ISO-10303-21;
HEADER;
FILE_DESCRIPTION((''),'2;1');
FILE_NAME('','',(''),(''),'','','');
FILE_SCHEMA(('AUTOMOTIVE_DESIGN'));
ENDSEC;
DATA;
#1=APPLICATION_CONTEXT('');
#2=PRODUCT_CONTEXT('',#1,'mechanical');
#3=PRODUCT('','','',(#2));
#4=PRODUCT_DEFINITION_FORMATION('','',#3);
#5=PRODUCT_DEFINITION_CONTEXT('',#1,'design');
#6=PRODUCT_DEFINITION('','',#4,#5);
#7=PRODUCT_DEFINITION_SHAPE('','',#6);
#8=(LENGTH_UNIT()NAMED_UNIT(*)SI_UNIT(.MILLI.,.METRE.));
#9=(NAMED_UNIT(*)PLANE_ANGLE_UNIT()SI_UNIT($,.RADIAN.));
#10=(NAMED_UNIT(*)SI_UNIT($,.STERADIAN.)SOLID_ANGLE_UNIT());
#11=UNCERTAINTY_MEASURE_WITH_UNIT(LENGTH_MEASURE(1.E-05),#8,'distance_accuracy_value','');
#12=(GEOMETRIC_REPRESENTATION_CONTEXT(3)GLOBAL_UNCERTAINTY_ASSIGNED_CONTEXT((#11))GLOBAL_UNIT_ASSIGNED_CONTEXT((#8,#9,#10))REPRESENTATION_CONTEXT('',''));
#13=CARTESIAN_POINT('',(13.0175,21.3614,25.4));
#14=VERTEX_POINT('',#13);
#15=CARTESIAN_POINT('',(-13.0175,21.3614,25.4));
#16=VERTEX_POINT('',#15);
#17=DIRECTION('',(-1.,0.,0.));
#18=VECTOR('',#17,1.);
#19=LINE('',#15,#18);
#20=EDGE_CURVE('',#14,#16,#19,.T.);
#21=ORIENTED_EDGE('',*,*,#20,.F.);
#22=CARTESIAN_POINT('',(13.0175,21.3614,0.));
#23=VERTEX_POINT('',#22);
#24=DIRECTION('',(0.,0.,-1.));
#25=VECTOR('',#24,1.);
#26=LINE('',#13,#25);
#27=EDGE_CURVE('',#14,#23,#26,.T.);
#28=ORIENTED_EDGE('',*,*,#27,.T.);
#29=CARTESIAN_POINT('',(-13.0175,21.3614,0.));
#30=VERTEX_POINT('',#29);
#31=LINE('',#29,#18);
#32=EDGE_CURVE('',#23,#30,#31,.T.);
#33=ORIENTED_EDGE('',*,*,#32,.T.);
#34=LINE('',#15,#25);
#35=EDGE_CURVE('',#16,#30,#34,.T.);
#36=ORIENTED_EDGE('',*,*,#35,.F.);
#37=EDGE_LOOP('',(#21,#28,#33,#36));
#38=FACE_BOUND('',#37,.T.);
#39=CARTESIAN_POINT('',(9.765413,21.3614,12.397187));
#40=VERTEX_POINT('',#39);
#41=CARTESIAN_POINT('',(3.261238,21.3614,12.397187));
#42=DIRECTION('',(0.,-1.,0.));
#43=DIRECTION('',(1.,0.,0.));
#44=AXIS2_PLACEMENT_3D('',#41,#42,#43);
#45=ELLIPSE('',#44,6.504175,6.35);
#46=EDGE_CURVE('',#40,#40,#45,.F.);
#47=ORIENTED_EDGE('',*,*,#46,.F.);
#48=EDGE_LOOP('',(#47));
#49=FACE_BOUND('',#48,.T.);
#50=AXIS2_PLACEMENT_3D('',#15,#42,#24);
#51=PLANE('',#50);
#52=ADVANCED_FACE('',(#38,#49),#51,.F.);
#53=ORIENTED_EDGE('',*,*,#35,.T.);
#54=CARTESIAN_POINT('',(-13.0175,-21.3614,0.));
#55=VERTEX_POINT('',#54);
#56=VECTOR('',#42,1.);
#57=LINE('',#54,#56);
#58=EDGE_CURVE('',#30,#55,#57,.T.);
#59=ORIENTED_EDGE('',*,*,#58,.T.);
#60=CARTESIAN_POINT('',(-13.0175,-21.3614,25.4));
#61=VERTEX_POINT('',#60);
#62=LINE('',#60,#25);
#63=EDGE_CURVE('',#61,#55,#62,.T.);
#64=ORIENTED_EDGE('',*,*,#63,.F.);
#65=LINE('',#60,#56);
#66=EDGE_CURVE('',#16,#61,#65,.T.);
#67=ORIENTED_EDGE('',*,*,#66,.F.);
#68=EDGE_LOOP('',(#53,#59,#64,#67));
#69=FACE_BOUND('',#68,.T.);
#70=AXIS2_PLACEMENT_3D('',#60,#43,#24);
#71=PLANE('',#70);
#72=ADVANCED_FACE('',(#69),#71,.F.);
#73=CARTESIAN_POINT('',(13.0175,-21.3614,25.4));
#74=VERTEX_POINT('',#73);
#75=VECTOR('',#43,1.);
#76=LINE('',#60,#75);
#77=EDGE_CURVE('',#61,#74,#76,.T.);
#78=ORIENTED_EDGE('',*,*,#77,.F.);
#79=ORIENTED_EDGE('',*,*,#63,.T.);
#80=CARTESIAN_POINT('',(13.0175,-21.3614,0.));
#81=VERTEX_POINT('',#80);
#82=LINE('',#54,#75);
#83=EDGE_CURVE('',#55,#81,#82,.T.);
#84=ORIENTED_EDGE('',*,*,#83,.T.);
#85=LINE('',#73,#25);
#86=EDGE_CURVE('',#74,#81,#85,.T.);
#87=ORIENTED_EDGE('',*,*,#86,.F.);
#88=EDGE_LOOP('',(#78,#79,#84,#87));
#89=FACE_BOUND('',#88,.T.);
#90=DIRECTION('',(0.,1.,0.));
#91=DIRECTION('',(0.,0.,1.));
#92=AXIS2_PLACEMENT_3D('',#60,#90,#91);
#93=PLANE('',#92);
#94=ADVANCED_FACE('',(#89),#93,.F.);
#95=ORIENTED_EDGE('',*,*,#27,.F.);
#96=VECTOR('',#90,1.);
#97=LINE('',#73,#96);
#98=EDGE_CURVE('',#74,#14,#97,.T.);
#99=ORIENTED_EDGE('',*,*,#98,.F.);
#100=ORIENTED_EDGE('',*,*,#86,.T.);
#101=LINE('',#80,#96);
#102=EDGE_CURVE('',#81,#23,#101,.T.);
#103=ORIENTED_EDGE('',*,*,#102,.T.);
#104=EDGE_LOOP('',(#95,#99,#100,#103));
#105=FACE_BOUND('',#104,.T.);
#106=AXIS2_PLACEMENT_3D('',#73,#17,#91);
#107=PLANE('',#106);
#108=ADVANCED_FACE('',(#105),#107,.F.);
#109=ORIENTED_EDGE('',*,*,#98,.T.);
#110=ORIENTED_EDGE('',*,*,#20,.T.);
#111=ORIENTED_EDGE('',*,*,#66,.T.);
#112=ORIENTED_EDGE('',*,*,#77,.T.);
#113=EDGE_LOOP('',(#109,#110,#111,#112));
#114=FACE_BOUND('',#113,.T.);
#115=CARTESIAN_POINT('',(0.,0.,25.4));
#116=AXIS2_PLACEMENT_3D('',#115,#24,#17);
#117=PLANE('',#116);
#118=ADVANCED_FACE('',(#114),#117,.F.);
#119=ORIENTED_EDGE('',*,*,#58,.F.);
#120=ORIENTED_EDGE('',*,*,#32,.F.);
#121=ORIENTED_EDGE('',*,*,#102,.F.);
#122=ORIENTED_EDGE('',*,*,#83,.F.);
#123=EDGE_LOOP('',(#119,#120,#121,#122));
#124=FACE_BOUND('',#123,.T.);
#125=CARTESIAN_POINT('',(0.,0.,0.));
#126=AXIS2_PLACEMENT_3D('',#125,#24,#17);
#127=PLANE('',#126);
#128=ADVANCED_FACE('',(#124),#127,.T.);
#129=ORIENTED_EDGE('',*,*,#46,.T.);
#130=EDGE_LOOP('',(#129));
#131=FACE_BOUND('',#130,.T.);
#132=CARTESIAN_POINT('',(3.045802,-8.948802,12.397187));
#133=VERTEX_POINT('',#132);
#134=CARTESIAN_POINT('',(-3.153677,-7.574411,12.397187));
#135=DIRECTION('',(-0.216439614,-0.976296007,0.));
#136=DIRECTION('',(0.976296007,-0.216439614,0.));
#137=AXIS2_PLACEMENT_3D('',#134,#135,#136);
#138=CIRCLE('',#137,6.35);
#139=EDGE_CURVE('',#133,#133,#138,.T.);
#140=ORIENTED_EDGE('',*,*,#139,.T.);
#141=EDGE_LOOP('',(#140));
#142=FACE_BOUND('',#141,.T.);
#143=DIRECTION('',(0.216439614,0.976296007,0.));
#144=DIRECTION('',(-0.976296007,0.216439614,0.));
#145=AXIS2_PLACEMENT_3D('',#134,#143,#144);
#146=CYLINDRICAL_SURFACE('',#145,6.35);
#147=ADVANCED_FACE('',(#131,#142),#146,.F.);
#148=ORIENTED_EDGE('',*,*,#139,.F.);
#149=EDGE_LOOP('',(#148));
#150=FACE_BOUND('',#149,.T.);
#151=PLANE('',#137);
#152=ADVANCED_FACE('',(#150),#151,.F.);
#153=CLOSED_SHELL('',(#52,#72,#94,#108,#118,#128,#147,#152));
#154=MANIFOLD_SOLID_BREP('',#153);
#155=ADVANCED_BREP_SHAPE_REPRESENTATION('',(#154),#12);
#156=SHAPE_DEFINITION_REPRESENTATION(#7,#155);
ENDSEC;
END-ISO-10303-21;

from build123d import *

# Parameters (mm, degrees)
SKETCH1_W           = 26.035
SKETCH1_H           = 42.7228
BOSS_EXTRUDE1_DEPTH = 25.4
SKETCH19_R          = 6.35
CUT_EXTRUDE1_DEPTH  = 31.75


with BuildPart() as part:
    # Sketch1 → Boss-Extrude1 (new body)
    with BuildSketch(Plane.XY):
        Rectangle(SKETCH1_W, SKETCH1_H)
    extrude(amount=BOSS_EXTRUDE1_DEPTH)

    # Sketch19 → Cut-Extrude1 (cut)
    with BuildSketch(Plane(origin=(5.123678059, 23.111418192, 0), x_dir=(-0.976296007, 0.216439614, 0), z_dir=(-0.216439614, -0.976296007, 0))):
        with Locations((1.439519896, -12.397187114)):
            Circle(SKETCH19_R)
    extrude(amount=CUT_EXTRUDE1_DEPTH, mode=Mode.SUBTRACT)


solid = part.part
